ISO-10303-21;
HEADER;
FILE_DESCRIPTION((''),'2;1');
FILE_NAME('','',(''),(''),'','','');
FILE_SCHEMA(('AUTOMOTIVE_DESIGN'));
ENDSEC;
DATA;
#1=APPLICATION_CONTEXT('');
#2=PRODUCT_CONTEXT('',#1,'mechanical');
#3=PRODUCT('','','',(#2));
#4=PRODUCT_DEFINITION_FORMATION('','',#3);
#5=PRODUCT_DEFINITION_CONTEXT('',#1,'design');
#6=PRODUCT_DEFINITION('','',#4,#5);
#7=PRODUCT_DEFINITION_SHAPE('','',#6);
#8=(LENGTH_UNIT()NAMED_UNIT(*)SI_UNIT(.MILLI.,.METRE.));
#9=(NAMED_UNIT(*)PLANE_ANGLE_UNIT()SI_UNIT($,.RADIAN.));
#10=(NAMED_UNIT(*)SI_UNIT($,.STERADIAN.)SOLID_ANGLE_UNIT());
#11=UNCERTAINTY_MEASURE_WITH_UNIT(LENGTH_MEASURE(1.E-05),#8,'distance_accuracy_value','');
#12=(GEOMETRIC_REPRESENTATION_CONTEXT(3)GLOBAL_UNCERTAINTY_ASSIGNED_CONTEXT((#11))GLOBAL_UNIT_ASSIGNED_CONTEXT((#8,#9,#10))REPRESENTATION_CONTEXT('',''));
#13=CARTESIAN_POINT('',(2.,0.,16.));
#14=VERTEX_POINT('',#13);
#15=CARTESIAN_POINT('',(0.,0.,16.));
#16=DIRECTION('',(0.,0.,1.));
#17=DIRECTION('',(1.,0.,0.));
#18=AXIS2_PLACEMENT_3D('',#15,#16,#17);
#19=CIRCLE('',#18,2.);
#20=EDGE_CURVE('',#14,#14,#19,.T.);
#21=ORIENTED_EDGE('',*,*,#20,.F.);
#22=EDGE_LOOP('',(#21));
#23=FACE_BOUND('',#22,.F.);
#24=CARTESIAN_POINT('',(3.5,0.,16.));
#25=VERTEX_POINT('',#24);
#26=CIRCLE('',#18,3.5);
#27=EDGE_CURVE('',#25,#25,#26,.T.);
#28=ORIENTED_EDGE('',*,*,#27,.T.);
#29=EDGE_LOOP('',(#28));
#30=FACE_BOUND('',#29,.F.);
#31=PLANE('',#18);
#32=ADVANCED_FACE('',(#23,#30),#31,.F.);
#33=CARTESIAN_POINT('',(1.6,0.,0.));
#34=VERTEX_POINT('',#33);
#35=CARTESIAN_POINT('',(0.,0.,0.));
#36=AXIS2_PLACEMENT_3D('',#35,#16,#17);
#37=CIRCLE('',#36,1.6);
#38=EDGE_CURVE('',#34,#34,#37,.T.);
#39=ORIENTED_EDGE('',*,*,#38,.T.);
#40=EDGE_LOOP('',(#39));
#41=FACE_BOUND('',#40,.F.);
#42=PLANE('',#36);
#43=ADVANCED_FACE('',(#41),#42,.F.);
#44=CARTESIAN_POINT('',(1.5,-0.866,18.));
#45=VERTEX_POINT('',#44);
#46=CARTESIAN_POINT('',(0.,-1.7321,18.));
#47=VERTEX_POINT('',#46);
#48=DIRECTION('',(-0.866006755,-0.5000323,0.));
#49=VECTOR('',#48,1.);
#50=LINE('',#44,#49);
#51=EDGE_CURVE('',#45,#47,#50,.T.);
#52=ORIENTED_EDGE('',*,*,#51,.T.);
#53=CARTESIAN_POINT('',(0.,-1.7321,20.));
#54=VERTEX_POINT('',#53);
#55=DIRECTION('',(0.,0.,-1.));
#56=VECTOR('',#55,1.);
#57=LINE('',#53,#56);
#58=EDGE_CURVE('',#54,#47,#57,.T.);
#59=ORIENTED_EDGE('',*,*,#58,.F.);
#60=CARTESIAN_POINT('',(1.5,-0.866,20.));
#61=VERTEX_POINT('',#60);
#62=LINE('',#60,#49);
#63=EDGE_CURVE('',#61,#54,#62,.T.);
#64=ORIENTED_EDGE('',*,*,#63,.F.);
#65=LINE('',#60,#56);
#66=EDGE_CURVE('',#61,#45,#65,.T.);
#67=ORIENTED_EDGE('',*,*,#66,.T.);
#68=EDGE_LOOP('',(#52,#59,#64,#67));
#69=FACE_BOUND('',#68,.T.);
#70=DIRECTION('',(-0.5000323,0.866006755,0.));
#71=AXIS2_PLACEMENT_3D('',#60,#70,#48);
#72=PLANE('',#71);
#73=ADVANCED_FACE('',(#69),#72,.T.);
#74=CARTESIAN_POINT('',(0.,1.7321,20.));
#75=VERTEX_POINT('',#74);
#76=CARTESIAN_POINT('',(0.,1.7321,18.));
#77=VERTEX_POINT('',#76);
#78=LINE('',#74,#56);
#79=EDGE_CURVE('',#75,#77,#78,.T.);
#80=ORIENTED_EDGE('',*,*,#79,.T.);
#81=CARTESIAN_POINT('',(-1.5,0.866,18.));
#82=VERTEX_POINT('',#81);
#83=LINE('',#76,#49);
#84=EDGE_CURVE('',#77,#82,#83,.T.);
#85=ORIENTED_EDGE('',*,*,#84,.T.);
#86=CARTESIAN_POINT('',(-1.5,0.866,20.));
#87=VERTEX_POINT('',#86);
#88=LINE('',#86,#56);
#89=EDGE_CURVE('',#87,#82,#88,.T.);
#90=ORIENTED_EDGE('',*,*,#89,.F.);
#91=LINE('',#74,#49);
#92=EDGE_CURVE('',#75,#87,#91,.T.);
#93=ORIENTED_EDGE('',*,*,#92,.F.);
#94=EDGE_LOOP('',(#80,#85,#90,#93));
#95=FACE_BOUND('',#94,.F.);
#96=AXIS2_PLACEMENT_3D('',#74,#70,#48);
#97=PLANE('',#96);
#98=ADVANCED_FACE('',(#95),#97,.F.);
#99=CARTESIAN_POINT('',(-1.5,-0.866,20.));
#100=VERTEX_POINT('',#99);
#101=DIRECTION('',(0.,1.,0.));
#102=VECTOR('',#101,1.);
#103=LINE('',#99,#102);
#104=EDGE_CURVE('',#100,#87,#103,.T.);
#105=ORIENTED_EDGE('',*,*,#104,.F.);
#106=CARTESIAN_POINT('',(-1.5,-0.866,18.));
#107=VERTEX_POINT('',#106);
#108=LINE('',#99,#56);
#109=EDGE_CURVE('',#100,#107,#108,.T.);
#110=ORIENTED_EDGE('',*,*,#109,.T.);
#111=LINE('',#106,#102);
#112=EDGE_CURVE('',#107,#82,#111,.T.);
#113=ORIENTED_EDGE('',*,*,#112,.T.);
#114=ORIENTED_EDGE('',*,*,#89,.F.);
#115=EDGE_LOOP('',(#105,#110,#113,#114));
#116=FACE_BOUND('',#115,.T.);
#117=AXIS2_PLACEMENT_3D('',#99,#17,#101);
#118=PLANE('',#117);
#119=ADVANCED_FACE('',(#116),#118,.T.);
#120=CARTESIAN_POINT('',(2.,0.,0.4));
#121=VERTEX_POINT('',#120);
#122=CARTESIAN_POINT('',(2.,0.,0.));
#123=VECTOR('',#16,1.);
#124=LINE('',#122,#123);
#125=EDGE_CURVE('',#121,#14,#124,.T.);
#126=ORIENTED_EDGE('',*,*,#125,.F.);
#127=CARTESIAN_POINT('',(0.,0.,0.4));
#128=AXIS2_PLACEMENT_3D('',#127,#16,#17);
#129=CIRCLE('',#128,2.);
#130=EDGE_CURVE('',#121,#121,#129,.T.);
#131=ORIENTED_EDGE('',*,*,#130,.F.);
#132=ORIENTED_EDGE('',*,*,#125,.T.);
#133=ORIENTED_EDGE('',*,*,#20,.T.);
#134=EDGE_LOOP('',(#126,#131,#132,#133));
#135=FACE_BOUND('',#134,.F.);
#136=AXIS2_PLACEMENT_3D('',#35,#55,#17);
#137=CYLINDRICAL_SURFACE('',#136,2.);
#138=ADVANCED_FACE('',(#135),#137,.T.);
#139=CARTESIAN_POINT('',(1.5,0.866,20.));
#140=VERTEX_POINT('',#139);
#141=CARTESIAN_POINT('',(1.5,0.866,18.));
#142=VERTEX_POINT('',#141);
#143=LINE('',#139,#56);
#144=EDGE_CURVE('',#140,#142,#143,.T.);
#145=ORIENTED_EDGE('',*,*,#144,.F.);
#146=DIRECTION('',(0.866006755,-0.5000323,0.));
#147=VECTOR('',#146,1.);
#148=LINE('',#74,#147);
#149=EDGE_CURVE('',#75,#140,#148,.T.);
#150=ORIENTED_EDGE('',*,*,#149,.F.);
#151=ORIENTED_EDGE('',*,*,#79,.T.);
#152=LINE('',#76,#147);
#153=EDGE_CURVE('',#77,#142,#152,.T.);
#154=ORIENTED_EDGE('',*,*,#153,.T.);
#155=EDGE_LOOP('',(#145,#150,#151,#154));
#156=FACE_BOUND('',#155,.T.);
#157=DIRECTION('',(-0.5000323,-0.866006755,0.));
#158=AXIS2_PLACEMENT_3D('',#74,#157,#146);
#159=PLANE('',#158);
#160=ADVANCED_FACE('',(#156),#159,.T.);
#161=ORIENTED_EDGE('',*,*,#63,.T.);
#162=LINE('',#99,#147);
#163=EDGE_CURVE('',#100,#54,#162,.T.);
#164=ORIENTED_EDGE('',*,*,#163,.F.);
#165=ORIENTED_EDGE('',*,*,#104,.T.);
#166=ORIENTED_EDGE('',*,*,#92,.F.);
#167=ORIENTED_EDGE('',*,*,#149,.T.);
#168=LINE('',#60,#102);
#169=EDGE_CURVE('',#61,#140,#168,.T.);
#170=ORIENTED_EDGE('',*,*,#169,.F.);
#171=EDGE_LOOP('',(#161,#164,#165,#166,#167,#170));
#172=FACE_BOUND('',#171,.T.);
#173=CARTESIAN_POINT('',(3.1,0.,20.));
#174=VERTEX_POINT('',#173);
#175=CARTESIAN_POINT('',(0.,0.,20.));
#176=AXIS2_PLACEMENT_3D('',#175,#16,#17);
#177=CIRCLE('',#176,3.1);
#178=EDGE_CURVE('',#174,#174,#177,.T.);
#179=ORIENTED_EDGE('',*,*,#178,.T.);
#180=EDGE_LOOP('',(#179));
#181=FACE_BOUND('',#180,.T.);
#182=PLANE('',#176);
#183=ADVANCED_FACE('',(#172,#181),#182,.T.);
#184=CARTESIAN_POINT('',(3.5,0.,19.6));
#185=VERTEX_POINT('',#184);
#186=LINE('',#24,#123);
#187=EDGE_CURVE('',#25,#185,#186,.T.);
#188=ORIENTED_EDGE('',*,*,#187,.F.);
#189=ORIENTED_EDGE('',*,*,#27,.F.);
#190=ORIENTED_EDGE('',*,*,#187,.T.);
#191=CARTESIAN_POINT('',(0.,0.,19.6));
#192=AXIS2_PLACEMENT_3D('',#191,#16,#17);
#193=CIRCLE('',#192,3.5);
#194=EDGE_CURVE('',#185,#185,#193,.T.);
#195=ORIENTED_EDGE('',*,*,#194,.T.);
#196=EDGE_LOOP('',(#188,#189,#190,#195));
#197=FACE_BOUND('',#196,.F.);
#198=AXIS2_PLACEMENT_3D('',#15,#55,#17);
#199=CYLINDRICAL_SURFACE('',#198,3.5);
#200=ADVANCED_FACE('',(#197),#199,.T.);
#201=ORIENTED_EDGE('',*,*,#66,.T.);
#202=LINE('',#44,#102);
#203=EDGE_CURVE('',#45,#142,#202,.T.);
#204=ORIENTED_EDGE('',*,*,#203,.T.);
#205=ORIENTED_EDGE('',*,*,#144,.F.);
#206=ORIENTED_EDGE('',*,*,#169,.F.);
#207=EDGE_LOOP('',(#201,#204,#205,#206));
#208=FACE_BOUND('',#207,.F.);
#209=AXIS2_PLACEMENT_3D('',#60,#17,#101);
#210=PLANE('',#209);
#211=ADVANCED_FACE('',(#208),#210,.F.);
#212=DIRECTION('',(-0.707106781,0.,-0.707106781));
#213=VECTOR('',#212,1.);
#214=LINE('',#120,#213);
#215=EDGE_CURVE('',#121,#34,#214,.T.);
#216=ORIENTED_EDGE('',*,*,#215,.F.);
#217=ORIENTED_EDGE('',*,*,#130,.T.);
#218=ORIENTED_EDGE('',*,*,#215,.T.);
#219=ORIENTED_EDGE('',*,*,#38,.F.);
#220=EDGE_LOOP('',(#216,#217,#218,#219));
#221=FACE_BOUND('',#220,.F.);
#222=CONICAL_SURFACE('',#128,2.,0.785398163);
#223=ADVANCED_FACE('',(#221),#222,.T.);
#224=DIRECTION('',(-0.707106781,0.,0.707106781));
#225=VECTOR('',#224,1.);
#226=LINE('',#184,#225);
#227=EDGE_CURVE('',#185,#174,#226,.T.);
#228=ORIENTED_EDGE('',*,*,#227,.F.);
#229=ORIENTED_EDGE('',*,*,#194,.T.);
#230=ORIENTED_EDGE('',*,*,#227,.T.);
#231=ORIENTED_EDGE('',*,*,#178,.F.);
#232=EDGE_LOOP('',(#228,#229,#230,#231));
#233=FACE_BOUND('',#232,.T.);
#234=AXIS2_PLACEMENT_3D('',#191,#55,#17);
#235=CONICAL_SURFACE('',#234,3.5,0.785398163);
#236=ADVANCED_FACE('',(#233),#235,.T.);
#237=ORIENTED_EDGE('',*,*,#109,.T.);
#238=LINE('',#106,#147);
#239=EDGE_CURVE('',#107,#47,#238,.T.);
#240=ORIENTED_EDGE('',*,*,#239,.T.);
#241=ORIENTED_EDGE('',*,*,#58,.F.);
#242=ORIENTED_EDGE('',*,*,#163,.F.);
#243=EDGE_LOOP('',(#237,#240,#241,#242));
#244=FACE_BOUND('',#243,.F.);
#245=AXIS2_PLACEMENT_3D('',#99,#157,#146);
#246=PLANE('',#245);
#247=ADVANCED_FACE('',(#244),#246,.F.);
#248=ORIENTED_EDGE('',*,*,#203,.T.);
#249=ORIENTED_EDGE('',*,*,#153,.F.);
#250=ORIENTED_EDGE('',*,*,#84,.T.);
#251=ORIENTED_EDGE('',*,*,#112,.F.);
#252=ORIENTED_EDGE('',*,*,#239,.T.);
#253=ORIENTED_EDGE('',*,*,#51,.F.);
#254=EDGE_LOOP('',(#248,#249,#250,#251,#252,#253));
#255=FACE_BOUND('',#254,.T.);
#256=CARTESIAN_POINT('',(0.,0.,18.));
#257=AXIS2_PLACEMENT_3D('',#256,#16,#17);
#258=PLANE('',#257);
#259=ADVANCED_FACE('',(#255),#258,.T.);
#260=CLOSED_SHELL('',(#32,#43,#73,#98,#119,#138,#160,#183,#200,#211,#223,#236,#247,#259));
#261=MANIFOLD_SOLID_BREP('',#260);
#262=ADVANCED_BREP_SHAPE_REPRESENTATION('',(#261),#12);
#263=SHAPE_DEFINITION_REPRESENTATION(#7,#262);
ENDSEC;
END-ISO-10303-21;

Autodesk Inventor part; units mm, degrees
ref_plane "YZ Plane" through (0, 0, 0) normal (1, 0, 0) x (0, 1, 0)
ref_plane "XZ Plane" through (0, 0, 0) normal (0, 1, 0) x (-1, 0, 0)
ref_plane "XY Plane" through (0, 0, 0) normal (0, 0, 1) x (1, 0, 0)
sketch "Sketch1" plane through (0, 0, 0) normal (0, 0, 1) x (1, 0, 0)
  circle A0 centre (0, 0) radius 2
  dimension "Diameter" = 4
extrude "Extrusion1" add sketch "Sketch1" along normal blind 16
sketch "Sketch2" plane through (0, 0, 16) normal (0, 0, 1) x (1, 0, 0)
  circle A0 centre (0, 0) radius 2 projected
  circle A1 centre (0, 0) radius 3.5
  dimension "Head_Diameter" = 7
extrude "Extrusion2" add sketch "Sketch2" along normal blind 4 contours A0 | A1
sketch "Sketch3" plane through (0, 0, 20) normal (0, 0, 1) x (1, 0, 0)
  circle A0 centre (0, 0) radius 3.5 projected
  circle A1 centre (0, 0) radius 1.7321 construction
  line L0 (0, 1.7321) -> (1.5, 0.866)
  line L1 (1.5, -0.866) -> (1.5, 0.866)
  line L2 (0, 1.7321) -> (-1.5, 0.866)
  line L3 (-1.5, -0.866) -> (-1.5, 0.866)
  line L4 (-1.5, -0.866) -> (0, -1.7321)
  line L5 (1.5, -0.866) -> (0, -1.7321)
  dimension "Hex_Width" = 3
extrude "Extrusion3" cut sketch "Sketch3" against normal blind 2 contours L0 L1 L5 L4 L3 L2
thread "Thread1" size "M4x0.7" class "4g6g" standard "ANSI Metric M Profile" length 20
chamfer "Chamfer1" distance 0.4 angle 45 2 edges at (-3.5, 0, 20) (-2, 0, 0)
equation "\"d9\" = ThreadLength"
equation "\"d12\" = Chamfer"
equation "\"ThreadLength\" = 20"
equation "\"Chamfer\" = 0.4"
properties part number "SCREW, SOCKET HD, P, 12_9, M4X0_7X16" material "Steel, MS"
